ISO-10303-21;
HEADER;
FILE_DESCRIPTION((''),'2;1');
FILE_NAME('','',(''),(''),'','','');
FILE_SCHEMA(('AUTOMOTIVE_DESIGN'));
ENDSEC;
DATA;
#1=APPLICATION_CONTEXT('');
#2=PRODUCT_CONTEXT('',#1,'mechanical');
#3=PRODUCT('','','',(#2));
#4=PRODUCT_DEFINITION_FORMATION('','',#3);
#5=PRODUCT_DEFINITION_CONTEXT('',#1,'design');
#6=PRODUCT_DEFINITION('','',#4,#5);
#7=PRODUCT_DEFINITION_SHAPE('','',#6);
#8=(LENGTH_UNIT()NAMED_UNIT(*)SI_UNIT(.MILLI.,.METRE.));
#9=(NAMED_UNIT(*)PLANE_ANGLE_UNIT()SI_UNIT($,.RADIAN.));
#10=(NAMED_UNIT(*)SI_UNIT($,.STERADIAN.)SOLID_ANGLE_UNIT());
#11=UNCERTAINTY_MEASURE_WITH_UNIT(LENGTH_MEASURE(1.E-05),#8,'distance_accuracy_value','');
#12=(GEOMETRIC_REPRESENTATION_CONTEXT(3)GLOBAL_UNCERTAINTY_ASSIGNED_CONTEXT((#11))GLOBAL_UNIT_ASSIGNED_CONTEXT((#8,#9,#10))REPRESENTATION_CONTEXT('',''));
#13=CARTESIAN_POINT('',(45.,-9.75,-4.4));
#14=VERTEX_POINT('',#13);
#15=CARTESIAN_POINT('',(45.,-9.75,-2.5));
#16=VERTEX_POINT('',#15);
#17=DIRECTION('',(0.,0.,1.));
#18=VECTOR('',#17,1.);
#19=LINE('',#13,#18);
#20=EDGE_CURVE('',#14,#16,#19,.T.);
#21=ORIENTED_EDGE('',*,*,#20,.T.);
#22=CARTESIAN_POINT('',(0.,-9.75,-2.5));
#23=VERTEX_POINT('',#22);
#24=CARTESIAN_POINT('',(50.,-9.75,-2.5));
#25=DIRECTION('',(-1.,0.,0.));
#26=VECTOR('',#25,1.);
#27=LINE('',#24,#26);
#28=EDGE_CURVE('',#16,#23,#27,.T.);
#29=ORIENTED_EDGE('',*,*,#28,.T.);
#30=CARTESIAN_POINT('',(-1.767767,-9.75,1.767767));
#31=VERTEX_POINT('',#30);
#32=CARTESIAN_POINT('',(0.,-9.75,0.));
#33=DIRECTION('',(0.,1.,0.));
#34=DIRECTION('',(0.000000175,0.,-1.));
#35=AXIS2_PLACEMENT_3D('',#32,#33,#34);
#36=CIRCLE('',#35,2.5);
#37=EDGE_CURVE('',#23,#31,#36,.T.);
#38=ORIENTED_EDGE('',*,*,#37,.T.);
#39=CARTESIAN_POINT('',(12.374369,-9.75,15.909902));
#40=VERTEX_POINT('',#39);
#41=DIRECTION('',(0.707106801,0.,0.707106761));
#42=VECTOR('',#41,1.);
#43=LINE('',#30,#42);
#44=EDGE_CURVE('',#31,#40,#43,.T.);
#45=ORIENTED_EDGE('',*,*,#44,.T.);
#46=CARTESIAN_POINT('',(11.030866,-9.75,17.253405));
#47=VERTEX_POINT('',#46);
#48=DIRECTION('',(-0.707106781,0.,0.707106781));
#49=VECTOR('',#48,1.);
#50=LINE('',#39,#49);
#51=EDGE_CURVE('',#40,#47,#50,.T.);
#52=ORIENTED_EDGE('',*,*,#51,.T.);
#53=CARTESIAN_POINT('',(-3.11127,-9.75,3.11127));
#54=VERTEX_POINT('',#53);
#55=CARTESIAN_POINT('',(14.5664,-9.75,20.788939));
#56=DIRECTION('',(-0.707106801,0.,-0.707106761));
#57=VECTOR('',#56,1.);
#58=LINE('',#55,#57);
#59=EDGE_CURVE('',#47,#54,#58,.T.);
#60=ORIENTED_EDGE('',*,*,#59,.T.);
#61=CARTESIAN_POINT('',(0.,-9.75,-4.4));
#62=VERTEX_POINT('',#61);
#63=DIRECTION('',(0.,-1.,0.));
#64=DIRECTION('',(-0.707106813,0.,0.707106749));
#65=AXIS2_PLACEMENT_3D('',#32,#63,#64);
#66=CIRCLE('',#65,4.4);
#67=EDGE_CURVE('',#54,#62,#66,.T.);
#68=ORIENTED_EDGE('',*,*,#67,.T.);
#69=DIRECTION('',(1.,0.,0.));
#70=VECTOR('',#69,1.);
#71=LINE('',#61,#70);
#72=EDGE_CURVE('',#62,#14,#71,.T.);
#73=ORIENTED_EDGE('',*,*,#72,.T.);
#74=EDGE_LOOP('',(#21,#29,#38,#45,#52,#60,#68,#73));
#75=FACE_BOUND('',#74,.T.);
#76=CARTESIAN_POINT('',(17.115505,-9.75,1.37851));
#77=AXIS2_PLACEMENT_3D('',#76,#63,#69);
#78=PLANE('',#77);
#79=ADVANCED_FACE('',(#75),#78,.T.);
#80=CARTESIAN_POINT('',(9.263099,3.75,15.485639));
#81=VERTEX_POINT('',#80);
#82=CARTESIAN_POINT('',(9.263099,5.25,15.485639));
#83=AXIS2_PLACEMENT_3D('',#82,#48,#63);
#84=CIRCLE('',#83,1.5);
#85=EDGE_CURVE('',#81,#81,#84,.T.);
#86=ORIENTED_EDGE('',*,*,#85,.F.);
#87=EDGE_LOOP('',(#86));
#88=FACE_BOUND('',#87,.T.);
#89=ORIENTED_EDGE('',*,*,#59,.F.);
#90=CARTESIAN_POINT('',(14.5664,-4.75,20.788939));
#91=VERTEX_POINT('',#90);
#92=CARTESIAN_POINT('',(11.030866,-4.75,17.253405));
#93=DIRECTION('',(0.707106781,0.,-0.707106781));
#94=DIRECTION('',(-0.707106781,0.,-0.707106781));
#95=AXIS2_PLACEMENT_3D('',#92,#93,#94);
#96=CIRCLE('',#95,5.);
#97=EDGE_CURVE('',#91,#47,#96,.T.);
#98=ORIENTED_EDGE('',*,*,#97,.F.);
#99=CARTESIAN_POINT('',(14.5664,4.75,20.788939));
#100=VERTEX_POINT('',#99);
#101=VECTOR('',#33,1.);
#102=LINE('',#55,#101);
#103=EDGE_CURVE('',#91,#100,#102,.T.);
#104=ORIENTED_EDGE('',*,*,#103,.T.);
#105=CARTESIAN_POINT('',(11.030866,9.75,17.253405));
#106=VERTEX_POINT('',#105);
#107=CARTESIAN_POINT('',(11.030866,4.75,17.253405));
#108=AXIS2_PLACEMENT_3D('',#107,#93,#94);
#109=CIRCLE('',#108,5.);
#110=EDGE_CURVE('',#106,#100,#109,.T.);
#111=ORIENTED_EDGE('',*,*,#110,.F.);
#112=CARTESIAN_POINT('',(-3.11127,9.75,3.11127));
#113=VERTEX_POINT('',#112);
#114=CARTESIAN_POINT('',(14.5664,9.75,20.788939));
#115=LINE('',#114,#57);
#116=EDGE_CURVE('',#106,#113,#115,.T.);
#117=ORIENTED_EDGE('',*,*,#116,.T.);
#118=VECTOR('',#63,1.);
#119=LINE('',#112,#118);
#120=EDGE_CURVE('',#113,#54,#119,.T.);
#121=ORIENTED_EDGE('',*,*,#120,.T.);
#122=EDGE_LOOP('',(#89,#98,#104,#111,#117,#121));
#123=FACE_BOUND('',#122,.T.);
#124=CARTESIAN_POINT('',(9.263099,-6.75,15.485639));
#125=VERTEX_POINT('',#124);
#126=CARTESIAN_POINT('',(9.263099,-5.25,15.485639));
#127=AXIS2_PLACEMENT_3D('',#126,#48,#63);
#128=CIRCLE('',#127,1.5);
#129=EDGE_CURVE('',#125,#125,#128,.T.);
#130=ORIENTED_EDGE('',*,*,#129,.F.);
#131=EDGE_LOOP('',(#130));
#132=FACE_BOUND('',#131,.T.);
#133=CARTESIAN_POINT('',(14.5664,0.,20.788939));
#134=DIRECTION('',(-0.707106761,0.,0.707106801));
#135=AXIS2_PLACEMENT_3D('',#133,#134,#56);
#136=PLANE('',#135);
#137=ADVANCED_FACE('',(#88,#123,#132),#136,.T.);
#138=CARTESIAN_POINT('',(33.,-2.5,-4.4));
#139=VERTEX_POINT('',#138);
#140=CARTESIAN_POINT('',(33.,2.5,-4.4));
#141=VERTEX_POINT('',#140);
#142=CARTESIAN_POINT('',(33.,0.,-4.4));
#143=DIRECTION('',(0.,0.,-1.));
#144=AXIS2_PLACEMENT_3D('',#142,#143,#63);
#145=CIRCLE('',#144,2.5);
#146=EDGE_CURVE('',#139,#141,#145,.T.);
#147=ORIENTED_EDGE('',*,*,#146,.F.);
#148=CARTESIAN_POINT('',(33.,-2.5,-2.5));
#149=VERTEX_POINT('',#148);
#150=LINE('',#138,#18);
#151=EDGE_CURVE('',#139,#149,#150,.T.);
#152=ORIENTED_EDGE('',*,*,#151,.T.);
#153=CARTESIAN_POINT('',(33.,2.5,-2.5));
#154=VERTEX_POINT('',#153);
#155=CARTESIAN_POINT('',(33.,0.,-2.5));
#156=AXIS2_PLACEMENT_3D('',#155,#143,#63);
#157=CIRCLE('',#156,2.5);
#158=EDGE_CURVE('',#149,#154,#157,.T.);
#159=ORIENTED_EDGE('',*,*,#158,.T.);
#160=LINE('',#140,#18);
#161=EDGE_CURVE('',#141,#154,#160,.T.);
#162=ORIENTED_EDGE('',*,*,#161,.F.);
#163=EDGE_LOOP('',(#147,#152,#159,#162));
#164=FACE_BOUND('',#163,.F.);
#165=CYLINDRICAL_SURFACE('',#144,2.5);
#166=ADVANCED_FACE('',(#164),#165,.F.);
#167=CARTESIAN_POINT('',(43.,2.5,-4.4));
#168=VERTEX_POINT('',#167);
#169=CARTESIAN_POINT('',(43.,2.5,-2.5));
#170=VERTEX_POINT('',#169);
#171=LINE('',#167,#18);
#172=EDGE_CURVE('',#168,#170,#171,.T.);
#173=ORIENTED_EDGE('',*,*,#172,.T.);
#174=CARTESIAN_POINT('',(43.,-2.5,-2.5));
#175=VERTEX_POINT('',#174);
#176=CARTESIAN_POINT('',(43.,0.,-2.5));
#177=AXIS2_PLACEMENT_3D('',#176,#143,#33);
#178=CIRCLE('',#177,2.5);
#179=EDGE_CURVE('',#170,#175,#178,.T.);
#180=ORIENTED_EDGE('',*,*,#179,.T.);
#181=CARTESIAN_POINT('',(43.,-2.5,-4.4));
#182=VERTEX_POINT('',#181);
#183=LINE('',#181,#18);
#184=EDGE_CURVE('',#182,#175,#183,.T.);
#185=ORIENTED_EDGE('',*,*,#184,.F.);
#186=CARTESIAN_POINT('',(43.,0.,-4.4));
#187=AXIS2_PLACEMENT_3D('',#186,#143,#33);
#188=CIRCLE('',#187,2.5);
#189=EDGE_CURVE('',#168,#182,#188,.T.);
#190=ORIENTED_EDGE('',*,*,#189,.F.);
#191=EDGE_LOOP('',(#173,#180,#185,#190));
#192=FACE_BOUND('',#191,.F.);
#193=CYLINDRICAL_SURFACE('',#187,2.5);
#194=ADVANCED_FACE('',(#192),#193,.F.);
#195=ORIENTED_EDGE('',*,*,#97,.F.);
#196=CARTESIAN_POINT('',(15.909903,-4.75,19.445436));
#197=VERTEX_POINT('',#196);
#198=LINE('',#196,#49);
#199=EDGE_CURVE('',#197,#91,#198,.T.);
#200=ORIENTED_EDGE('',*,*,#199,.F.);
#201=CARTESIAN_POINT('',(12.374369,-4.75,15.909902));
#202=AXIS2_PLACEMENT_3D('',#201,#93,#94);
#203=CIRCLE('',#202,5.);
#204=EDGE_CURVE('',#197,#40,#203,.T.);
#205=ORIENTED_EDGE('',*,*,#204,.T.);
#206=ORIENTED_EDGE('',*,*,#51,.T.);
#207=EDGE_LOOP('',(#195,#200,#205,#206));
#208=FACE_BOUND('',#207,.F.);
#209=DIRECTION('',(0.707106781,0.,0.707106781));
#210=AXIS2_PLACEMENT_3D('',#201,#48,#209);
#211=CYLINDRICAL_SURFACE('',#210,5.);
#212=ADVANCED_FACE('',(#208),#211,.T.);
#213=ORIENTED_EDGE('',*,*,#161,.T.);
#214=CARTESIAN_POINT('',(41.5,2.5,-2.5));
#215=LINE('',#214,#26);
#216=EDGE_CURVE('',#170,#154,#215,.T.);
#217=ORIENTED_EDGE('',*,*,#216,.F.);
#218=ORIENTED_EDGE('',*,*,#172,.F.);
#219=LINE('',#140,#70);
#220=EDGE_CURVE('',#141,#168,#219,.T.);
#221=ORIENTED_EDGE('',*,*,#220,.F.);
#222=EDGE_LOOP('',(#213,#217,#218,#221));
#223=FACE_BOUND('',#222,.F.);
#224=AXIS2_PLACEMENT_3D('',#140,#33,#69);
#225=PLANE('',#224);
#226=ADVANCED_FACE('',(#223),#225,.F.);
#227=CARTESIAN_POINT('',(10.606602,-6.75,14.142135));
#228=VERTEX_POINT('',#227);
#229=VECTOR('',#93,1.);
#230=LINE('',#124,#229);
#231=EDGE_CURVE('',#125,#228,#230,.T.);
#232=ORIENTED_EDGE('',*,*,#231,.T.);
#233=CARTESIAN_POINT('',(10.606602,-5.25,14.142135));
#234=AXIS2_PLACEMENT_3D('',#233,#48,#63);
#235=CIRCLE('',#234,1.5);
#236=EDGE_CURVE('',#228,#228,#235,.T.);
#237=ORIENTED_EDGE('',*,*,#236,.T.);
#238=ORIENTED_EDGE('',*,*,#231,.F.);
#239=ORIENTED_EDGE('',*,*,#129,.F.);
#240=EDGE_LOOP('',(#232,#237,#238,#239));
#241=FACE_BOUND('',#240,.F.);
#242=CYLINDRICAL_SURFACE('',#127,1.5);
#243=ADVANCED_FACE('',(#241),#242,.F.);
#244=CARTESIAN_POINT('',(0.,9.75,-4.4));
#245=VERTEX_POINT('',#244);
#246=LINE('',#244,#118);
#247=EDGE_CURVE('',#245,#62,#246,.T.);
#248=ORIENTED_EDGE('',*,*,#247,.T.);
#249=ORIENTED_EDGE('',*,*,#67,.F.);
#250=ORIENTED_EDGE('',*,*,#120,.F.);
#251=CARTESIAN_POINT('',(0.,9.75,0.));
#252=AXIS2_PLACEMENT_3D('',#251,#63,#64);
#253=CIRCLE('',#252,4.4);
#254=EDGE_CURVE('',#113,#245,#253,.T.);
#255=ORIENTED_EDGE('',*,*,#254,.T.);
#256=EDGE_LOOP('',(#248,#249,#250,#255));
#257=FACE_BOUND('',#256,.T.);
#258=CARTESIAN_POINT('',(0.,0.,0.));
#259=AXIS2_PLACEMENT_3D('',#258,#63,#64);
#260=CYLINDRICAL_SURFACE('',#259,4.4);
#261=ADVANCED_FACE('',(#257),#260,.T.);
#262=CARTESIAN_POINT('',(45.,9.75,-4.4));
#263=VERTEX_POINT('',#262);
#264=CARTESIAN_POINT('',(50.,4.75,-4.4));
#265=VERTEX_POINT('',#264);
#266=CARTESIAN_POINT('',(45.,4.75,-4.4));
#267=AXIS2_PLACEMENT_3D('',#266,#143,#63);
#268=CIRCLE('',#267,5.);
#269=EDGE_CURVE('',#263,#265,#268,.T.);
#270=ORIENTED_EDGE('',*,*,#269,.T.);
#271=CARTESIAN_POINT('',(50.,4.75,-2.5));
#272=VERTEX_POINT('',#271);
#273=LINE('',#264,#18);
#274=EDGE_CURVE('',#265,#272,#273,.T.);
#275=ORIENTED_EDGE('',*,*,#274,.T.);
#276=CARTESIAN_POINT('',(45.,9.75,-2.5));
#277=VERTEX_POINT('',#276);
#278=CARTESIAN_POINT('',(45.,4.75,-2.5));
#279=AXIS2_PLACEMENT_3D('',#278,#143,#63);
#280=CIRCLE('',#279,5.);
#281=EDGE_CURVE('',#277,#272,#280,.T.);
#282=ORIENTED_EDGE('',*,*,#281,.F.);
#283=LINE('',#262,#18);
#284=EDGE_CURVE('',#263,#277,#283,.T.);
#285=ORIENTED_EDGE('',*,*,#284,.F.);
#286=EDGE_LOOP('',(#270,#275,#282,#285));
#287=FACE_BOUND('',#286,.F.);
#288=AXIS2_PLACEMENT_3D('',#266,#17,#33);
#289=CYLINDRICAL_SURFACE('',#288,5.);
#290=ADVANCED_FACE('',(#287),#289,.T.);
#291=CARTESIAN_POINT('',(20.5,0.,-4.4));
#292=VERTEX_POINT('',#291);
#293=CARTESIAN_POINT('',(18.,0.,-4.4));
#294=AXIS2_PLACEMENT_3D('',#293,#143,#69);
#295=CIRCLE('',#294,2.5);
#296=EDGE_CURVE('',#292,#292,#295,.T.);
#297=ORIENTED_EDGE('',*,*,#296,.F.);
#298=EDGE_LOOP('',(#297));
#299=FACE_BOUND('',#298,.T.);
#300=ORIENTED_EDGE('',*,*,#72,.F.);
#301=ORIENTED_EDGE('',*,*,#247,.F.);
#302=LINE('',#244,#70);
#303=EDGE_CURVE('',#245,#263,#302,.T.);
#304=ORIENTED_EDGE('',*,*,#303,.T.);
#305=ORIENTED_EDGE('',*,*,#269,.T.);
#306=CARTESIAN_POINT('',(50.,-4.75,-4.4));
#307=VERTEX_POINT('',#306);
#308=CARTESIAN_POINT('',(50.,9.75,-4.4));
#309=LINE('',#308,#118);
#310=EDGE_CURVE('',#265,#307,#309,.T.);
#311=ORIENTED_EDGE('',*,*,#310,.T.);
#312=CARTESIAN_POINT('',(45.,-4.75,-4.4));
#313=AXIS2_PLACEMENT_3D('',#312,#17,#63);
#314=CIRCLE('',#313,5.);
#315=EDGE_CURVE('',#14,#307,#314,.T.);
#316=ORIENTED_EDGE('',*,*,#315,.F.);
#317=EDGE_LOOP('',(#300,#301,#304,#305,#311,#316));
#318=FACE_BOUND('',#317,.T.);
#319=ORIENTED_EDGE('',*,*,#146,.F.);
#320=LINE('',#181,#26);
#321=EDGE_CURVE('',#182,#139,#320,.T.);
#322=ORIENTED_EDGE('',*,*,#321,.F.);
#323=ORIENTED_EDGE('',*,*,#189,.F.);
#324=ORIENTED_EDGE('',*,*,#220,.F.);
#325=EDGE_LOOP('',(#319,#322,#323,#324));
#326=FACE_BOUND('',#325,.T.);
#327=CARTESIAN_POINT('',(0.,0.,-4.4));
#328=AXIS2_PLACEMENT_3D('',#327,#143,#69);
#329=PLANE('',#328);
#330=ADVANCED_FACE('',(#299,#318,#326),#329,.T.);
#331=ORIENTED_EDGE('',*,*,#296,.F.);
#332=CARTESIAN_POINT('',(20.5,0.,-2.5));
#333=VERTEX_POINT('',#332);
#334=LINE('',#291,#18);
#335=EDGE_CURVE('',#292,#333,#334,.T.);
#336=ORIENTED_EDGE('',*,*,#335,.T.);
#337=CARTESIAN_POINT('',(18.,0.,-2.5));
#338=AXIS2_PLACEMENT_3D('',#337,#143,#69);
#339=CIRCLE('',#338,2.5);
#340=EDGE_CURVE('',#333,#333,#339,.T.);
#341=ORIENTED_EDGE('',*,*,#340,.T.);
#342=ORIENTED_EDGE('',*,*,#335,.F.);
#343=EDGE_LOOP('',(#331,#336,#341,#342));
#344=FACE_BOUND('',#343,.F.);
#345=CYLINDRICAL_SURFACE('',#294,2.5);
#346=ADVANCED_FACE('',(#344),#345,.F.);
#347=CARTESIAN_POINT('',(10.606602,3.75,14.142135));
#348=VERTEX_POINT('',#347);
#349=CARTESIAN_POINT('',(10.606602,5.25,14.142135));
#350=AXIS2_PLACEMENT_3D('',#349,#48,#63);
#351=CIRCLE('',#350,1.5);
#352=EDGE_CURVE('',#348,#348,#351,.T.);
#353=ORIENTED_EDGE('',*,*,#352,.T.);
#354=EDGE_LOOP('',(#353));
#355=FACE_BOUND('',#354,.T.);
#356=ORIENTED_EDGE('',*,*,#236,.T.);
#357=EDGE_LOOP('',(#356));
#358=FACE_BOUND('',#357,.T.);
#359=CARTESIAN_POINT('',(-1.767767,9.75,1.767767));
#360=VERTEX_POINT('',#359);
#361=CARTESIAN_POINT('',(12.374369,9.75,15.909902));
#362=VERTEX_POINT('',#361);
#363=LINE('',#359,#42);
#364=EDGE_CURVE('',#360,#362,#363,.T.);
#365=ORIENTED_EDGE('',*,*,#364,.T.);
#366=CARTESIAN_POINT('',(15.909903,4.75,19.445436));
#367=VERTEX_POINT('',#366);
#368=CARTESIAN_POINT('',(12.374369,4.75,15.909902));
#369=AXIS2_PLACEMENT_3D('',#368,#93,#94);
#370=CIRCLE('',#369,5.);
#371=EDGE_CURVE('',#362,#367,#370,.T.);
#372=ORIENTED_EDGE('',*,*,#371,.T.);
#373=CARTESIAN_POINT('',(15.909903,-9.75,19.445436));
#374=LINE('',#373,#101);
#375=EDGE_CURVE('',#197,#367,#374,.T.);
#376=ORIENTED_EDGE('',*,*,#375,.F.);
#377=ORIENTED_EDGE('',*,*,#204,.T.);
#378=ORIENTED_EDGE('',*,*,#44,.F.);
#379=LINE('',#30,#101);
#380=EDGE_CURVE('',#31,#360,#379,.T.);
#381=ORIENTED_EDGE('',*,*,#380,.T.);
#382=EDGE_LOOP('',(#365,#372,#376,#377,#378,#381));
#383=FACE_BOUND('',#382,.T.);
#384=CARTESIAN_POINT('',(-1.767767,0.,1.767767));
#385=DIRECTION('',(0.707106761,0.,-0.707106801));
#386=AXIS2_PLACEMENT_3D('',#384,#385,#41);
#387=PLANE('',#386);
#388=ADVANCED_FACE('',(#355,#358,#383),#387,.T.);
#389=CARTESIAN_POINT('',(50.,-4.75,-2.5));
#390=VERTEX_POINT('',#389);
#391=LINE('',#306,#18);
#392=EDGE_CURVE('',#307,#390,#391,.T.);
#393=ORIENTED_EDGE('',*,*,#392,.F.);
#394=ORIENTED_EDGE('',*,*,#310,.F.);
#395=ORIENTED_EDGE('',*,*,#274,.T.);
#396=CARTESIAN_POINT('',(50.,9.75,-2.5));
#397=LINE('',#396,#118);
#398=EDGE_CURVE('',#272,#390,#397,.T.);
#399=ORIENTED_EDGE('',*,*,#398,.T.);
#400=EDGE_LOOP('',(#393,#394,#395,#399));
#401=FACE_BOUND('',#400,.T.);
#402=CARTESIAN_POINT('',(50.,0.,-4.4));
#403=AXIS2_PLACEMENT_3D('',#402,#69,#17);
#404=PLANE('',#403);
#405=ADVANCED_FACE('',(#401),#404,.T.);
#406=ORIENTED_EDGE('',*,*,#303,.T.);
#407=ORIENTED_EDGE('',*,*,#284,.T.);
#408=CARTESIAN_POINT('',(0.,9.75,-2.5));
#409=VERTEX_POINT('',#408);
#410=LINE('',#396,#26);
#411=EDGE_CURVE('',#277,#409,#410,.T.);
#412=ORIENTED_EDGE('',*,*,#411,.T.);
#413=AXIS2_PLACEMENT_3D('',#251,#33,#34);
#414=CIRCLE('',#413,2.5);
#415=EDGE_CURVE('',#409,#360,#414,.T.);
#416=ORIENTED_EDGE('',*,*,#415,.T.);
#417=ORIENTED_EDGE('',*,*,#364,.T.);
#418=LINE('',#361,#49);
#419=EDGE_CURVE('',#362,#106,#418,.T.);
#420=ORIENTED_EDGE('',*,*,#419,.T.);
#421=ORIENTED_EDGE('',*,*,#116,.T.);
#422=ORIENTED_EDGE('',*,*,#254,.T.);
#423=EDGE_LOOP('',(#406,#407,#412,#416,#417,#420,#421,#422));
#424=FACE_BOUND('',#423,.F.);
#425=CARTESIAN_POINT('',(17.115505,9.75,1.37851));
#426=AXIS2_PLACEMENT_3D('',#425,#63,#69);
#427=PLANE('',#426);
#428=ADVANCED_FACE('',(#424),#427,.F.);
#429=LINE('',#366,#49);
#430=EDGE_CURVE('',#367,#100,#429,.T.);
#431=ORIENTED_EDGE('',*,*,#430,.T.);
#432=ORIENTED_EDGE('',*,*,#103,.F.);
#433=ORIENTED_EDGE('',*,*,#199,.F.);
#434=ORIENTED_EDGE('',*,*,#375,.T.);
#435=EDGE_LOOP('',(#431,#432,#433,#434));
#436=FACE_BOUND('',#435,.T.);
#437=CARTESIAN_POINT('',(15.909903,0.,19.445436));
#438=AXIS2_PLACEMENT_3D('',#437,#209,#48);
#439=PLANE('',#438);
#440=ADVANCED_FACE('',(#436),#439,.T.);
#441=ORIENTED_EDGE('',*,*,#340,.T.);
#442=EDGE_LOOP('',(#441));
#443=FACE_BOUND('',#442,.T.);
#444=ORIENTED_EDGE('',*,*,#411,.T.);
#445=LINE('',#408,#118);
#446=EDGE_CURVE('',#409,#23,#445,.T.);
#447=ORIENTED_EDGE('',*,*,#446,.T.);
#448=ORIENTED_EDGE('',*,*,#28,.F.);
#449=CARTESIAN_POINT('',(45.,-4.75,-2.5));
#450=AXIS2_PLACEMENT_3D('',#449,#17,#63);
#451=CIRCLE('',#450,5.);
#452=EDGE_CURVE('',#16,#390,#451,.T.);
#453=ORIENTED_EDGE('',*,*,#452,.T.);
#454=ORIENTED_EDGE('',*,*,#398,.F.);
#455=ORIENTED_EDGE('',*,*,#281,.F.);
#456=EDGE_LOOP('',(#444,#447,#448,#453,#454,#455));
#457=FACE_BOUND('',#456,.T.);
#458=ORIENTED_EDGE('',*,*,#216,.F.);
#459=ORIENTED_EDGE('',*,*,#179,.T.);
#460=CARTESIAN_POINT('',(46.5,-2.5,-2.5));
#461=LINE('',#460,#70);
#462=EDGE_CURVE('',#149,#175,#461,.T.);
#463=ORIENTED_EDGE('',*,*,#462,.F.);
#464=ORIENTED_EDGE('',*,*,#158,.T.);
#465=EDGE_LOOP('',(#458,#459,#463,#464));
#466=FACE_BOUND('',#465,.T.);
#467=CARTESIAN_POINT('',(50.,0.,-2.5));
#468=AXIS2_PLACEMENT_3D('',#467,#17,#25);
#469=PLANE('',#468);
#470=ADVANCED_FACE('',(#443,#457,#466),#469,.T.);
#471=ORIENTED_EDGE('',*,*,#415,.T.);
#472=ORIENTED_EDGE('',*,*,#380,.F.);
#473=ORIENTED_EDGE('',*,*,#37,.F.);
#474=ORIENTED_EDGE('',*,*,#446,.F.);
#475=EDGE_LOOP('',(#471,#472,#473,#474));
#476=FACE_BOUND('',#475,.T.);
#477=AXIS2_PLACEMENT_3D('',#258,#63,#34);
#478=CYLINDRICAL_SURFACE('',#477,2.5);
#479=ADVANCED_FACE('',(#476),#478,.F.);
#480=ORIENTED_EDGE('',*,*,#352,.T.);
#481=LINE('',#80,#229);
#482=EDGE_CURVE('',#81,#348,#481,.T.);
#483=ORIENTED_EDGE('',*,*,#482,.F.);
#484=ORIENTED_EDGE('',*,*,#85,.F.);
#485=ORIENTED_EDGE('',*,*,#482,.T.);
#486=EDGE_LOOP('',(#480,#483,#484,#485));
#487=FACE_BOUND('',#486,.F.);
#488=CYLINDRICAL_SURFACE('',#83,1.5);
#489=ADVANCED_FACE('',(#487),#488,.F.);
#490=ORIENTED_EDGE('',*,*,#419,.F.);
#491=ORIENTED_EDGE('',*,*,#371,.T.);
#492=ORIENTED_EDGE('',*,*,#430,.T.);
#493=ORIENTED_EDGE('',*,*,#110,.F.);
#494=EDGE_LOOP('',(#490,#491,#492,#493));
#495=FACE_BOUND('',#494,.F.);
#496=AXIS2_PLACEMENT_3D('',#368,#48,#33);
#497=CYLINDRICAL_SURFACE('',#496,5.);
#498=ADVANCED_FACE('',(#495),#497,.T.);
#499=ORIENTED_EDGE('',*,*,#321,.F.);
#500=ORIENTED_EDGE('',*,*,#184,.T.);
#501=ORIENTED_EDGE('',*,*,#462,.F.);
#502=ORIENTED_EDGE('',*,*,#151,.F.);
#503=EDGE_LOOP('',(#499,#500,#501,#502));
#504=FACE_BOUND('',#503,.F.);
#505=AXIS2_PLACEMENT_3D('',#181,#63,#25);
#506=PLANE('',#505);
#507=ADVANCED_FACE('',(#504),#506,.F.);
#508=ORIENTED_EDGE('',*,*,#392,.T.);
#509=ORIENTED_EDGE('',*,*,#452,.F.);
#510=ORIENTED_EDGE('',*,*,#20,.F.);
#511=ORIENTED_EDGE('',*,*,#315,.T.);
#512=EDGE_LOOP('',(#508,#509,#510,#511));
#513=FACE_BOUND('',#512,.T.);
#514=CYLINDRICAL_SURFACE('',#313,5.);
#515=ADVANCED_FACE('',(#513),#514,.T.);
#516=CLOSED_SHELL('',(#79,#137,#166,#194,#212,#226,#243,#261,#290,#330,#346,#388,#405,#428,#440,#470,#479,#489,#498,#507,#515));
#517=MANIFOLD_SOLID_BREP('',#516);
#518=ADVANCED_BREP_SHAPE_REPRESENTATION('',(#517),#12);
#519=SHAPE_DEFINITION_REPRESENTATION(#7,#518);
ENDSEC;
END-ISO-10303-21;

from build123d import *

# Parameters (mm, degrees)
F1_DEPTH = 9.75
F2_R     = 2.5
F3_DEPTH = 2
F4_R     = 1.5
F5_DEPTH = 2
F6_R     = 5


with BuildPart() as f1:
    # F0 (on Front) → F1 (new body, symmetric)
    with BuildSketch(Plane.XZ):
        with BuildLine():
            Line((14.5664, 20.788939), (-3.11127, 3.11127))
            ThreePointArc((-3.11127, 3.11127), (-4.06507, -1.683807), (0, -4.4))
            Line((0, -4.4), (50, -4.4))
            Line((50, -4.4), (50, -2.5))
            Line((50, -2.5), (0, -2.5))
            ThreePointArc((0, -2.5), (-2.309699, -0.956709), (-1.767767, 1.767767))
            Line((-1.767767, 1.767767), (15.909903, 19.445436))
            Line((15.909903, 19.445436), (14.5664, 20.788939))
        make_face()
    extrude(amount=F1_DEPTH, both=True)

    # F2 (on face) → F3 (cut)
    with BuildSketch(Plane(origin=(0, 0, -4.4), x_dir=(1, 0, 0), z_dir=(0, 0, -1))):
        with Locations((18, 0)):
            Circle(F2_R)
        with BuildLine():
            Line((43, 2.5), (33, 2.5))
            ThreePointArc((33, 2.5), (30.5, 0), (33, -2.5))
            Line((33, -2.5), (43, -2.5))
            ThreePointArc((43, -2.5), (45.5, 0), (43, 2.5))
        make_face()
    extrude(amount=-F3_DEPTH, mode=Mode.SUBTRACT)

    # F4 (on face) → F5 (cut)
    with BuildSketch(Plane(origin=(-3.11127, 0, 3.11127), x_dir=(0, -1, 0), z_dir=(-0.707107, 0, 0.707107))):
        with Locations((-5.25, 17.5)):
            Circle(F4_R)
        with Locations((5.25, 17.5)):
            Circle(F4_R)
    extrude(amount=-F5_DEPTH, mode=Mode.SUBTRACT)

    # F6
    f6_edges = [f1.edges().sort_by_distance(p)[0] for p in [
        (15.238151, -9.75, 20.117188),
        (15.238151, 9.75, 20.117188),
        (50, 9.75, -3.45),
        (50, -9.75, -3.45),
    ]]
    fillet(f6_edges, radius=F6_R)


solid = f1.part
